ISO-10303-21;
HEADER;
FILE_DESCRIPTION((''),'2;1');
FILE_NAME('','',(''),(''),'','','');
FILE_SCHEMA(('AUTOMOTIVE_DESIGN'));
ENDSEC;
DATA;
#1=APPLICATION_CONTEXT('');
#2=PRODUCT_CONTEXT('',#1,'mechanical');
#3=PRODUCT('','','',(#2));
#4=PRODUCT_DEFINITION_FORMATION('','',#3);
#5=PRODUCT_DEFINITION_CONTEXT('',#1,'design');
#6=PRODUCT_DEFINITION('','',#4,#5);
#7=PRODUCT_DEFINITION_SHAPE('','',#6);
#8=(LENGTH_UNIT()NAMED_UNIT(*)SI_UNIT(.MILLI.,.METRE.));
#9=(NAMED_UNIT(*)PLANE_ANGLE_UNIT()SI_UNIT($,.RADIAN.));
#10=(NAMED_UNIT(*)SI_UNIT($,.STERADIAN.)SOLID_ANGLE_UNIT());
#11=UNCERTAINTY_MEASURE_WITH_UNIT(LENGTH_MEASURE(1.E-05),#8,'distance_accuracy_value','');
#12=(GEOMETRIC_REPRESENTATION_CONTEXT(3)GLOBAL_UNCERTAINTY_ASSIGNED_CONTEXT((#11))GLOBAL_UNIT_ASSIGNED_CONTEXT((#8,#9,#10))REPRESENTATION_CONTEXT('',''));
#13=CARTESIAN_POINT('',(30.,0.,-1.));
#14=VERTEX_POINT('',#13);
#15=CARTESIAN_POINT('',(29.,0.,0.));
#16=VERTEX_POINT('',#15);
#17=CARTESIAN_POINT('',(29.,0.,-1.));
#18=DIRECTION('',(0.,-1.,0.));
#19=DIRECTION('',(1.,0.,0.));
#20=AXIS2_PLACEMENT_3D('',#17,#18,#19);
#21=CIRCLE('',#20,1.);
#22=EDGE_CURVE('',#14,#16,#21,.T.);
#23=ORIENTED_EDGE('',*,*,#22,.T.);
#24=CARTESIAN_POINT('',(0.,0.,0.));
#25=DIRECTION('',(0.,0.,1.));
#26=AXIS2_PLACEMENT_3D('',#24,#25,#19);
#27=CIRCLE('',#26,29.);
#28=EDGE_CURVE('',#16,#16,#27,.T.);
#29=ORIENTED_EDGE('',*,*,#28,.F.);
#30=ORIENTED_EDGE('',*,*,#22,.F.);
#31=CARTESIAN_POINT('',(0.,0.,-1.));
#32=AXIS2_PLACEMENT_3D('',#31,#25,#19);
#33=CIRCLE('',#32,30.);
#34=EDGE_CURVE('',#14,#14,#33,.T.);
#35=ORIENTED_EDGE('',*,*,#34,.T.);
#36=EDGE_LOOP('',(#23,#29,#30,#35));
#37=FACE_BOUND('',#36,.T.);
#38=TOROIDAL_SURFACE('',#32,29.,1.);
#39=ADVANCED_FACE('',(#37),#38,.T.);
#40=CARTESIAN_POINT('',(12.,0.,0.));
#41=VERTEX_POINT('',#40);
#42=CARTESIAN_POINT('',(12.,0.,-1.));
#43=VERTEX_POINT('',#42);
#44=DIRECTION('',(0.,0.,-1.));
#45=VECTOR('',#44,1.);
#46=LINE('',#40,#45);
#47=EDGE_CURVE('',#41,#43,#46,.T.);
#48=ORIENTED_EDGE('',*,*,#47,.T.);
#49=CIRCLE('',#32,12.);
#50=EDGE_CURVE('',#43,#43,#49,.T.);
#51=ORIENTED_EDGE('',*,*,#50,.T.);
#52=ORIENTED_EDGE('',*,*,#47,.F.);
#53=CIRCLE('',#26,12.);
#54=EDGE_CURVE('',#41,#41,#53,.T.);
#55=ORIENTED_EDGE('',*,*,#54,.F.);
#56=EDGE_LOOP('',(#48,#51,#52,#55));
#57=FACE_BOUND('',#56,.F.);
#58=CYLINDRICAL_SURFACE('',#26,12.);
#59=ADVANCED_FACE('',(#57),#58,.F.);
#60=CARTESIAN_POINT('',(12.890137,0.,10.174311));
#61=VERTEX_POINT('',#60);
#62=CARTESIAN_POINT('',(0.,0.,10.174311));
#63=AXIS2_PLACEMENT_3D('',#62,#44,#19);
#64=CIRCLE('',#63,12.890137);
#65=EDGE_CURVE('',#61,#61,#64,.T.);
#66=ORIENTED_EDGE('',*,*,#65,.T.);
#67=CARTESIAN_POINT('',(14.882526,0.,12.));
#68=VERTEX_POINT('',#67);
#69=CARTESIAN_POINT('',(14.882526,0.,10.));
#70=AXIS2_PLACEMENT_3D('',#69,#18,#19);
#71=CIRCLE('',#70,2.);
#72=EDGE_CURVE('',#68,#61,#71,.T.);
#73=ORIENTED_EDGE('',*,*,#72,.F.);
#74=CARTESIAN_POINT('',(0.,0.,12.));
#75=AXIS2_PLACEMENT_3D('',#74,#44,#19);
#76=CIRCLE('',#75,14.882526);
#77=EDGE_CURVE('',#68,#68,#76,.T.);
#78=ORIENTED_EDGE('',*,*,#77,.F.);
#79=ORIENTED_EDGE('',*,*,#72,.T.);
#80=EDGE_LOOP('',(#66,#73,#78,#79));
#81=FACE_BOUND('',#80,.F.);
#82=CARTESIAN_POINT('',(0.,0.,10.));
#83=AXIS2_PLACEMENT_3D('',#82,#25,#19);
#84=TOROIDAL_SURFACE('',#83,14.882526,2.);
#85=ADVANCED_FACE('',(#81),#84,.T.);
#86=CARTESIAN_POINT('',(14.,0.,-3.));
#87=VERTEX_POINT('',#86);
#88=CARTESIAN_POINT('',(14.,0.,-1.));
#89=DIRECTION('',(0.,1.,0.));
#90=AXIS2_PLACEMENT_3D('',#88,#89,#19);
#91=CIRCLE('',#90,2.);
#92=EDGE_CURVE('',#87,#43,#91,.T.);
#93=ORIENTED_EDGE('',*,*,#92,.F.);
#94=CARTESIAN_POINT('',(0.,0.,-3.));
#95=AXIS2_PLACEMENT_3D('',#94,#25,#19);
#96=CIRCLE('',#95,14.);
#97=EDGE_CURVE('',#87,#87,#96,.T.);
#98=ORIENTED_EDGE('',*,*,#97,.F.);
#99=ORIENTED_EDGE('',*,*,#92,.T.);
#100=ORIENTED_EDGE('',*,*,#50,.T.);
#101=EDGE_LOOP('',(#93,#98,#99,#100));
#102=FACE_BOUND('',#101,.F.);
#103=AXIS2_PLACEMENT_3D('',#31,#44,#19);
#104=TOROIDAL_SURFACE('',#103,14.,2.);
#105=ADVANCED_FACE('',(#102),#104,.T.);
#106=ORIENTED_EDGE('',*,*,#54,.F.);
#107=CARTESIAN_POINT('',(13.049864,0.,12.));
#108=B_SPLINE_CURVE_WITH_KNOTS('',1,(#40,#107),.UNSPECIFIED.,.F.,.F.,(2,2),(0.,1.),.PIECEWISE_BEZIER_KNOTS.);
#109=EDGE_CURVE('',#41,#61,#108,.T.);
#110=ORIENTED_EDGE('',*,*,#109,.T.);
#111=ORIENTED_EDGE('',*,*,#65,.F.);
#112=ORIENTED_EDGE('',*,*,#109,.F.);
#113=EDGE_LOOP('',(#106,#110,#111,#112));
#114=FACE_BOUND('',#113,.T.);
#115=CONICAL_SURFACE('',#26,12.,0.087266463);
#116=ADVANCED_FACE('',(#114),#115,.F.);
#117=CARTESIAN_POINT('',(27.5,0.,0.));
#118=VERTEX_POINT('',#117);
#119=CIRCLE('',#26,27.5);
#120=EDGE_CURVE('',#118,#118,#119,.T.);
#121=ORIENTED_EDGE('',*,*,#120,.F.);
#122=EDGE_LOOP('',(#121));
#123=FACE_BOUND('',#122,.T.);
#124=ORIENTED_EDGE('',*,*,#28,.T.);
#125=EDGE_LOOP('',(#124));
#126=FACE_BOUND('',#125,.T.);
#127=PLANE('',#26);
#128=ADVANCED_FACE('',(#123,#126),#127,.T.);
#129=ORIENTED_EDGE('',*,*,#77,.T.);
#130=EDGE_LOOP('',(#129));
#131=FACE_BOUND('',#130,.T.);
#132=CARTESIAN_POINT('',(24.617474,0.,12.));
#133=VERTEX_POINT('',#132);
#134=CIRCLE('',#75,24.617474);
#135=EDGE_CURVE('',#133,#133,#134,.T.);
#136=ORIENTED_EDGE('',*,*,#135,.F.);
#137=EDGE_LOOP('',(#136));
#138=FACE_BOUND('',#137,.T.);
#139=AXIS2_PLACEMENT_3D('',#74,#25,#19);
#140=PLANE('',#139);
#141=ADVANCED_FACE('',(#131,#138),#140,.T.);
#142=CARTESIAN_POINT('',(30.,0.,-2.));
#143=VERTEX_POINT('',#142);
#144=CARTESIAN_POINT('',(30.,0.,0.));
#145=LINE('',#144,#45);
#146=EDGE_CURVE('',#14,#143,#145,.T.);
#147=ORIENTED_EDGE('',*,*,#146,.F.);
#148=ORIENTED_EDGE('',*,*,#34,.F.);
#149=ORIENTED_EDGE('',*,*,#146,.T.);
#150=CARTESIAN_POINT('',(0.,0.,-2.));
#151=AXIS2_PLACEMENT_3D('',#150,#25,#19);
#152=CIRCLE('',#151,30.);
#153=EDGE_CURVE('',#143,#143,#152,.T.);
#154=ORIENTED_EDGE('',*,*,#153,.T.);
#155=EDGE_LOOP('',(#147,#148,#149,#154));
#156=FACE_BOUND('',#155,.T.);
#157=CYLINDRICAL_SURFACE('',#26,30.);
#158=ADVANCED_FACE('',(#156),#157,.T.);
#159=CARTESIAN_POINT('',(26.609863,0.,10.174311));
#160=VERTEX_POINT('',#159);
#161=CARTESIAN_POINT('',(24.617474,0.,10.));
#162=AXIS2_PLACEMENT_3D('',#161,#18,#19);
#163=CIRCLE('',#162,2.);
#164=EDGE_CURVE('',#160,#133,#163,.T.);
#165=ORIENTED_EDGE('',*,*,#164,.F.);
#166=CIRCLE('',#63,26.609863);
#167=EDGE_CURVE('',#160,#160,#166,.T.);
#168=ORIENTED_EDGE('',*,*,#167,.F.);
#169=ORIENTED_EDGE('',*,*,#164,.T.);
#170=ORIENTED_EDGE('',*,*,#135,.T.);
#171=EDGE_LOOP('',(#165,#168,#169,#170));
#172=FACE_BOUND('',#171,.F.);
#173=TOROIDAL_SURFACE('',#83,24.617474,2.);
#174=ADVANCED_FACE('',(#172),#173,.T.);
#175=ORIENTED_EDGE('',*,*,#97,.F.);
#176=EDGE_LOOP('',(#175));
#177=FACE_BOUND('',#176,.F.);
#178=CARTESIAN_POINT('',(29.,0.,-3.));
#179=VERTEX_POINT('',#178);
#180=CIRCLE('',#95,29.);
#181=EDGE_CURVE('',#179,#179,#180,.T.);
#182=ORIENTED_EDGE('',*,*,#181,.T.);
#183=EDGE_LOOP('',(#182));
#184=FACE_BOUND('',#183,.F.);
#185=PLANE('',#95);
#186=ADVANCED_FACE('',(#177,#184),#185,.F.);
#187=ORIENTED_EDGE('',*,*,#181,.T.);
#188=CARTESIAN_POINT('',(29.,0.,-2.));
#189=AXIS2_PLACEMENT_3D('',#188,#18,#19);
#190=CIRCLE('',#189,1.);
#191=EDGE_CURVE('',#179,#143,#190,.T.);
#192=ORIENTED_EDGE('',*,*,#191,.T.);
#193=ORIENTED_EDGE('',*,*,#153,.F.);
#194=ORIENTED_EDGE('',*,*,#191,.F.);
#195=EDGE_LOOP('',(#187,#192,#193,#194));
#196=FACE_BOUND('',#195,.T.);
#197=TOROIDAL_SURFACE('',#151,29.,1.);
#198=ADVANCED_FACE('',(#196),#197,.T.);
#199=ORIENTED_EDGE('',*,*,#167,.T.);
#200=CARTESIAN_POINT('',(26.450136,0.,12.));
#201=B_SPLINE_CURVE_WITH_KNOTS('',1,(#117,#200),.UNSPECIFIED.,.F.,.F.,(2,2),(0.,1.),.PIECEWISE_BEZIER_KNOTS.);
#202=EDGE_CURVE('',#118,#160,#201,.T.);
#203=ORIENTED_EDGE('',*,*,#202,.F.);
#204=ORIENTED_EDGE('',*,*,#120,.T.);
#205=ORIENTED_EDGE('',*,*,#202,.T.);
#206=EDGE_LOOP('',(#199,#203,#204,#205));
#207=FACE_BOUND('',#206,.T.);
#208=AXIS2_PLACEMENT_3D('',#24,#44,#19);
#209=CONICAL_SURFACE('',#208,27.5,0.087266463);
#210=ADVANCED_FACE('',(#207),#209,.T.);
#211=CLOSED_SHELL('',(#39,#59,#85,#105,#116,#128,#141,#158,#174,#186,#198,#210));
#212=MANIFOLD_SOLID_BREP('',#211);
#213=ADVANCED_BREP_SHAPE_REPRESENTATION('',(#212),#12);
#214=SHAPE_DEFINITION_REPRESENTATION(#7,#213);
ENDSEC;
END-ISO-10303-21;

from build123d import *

# Parameters (mm, degrees)
F0_R     = 27.5
F0_R_2   = 12
F1_DEPTH = 12
F1_TAPER = 5
F2_R     = 30
F2_R_2   = 12
F3_DEPTH = 3
F4_R     = 2
F5_R     = 1


with BuildPart() as f1:
    # F0 (on Top) → F1 (new body)
    with BuildSketch(Plane.XY):
        Circle(F0_R)
        Circle(F0_R_2, mode=Mode.SUBTRACT)
    extrude(amount=F1_DEPTH, taper=F1_TAPER)

    # F2 (on Top) → F3 (join)
    with BuildSketch(Plane.XY):
        Circle(F2_R)
        Circle(F2_R_2, mode=Mode.SUBTRACT)
    extrude(amount=-F3_DEPTH)

    # F4
    f4_edges = [f1.edges().sort_by_distance(p)[0] for p in [
        (-26.450136, 0, 12),
        (-12, 0, -3),
        (-13.049864, 0, 12),
    ]]
    fillet(f4_edges, radius=F4_R)

    # F5
    f5_edges = [f1.edges().sort_by_distance(p)[0] for p in [
        (-30, 0, -3),
        (-30, 0, 0),
    ]]
    fillet(f5_edges, radius=F5_R)


solid = f1.part
